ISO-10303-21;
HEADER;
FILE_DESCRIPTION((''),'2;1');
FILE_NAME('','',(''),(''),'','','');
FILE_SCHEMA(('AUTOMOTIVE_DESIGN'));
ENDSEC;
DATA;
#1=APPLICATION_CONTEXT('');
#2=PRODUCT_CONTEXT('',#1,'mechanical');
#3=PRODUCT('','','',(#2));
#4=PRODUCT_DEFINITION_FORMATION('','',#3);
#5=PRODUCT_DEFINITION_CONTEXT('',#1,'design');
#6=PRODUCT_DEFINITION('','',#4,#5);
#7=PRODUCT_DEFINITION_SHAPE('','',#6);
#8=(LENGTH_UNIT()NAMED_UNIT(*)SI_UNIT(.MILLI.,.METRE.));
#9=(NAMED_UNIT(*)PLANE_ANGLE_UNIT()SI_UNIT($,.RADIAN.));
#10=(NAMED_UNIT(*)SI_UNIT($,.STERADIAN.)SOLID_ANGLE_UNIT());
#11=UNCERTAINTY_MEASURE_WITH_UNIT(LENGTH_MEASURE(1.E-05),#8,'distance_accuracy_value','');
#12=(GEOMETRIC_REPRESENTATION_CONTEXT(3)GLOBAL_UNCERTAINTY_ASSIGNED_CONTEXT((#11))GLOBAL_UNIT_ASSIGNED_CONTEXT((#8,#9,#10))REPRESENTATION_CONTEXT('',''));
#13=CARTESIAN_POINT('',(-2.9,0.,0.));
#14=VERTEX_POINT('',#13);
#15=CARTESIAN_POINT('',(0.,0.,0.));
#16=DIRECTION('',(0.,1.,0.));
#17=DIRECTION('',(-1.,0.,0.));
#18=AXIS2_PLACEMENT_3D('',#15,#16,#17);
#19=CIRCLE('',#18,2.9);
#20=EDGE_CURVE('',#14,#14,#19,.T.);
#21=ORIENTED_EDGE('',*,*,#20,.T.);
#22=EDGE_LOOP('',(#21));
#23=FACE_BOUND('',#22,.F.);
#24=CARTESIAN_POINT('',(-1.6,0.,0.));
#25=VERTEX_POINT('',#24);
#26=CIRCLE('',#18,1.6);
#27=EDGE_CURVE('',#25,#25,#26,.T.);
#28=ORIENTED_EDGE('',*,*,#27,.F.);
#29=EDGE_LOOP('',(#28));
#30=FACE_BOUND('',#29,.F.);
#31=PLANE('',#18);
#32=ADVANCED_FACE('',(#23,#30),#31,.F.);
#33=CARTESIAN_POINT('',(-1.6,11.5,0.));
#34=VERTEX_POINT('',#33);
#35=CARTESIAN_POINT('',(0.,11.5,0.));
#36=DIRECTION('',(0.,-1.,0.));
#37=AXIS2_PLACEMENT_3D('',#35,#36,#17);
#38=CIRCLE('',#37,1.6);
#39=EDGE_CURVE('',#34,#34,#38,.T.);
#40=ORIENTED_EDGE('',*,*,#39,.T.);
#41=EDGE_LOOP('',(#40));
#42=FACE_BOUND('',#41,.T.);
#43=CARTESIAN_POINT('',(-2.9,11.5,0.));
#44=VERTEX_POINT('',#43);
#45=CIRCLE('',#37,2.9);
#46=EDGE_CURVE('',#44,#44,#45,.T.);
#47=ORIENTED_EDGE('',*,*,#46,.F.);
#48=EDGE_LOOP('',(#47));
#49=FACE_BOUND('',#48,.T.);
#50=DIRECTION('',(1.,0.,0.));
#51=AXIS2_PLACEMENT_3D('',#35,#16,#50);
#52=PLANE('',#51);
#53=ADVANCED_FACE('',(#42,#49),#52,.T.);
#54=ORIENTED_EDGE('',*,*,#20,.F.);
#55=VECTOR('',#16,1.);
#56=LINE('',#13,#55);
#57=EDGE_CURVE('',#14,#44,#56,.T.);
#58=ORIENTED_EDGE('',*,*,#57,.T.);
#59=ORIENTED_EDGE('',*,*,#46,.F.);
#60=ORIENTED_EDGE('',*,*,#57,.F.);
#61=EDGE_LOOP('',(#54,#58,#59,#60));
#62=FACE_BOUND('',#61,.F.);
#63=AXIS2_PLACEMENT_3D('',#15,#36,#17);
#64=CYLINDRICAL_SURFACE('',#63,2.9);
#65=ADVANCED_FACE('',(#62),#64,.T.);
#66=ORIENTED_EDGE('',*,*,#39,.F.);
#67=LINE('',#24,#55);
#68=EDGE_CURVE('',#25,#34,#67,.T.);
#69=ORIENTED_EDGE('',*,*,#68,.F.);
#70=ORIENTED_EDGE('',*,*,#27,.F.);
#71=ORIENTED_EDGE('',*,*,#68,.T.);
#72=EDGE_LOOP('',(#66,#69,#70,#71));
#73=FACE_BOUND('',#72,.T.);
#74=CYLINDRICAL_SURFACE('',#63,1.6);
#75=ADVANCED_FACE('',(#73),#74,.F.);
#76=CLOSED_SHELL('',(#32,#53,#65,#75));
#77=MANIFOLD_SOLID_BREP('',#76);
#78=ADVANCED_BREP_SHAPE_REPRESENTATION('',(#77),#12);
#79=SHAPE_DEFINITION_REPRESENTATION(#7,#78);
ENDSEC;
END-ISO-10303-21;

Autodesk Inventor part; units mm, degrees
ref_plane "YZ Plane" through (0, 0, 0) normal (1, 0, 0) x (0, 1, 0)
ref_plane "XZ Plane" through (0, 0, 0) normal (0, 1, 0) x (-1, 0, 0)
ref_plane "XY Plane" through (0, 0, 0) normal (0, 0, 1) x (1, 0, 0)
sketch "Sketch1" plane through (0, 0, 0) normal (0, 1, 0) x (-1, 0, 0)
  circle A0 centre (0, 0) radius 2.9
  circle A1 centre (0, 0) radius 1.6
  dimension "d0" = 3.2
  dimension "d1" = 5.8
extrude "Extrusion1" add sketch "Sketch1" along normal blind 23
ref_plane "Work Plane1" through (0, 11.5, 0) normal (0, 1, 0) x (1, 0, 0)
sketch "Sketch2" plane through (0, 11.5, 0) normal (0, 1, 0) x (1, 0, 0)
  circle A0 centre (0, 0) radius 4.4625
extrude "Extrusion2" cut sketch "Sketch2" along normal blind 22
properties part number "11.5spacer"
